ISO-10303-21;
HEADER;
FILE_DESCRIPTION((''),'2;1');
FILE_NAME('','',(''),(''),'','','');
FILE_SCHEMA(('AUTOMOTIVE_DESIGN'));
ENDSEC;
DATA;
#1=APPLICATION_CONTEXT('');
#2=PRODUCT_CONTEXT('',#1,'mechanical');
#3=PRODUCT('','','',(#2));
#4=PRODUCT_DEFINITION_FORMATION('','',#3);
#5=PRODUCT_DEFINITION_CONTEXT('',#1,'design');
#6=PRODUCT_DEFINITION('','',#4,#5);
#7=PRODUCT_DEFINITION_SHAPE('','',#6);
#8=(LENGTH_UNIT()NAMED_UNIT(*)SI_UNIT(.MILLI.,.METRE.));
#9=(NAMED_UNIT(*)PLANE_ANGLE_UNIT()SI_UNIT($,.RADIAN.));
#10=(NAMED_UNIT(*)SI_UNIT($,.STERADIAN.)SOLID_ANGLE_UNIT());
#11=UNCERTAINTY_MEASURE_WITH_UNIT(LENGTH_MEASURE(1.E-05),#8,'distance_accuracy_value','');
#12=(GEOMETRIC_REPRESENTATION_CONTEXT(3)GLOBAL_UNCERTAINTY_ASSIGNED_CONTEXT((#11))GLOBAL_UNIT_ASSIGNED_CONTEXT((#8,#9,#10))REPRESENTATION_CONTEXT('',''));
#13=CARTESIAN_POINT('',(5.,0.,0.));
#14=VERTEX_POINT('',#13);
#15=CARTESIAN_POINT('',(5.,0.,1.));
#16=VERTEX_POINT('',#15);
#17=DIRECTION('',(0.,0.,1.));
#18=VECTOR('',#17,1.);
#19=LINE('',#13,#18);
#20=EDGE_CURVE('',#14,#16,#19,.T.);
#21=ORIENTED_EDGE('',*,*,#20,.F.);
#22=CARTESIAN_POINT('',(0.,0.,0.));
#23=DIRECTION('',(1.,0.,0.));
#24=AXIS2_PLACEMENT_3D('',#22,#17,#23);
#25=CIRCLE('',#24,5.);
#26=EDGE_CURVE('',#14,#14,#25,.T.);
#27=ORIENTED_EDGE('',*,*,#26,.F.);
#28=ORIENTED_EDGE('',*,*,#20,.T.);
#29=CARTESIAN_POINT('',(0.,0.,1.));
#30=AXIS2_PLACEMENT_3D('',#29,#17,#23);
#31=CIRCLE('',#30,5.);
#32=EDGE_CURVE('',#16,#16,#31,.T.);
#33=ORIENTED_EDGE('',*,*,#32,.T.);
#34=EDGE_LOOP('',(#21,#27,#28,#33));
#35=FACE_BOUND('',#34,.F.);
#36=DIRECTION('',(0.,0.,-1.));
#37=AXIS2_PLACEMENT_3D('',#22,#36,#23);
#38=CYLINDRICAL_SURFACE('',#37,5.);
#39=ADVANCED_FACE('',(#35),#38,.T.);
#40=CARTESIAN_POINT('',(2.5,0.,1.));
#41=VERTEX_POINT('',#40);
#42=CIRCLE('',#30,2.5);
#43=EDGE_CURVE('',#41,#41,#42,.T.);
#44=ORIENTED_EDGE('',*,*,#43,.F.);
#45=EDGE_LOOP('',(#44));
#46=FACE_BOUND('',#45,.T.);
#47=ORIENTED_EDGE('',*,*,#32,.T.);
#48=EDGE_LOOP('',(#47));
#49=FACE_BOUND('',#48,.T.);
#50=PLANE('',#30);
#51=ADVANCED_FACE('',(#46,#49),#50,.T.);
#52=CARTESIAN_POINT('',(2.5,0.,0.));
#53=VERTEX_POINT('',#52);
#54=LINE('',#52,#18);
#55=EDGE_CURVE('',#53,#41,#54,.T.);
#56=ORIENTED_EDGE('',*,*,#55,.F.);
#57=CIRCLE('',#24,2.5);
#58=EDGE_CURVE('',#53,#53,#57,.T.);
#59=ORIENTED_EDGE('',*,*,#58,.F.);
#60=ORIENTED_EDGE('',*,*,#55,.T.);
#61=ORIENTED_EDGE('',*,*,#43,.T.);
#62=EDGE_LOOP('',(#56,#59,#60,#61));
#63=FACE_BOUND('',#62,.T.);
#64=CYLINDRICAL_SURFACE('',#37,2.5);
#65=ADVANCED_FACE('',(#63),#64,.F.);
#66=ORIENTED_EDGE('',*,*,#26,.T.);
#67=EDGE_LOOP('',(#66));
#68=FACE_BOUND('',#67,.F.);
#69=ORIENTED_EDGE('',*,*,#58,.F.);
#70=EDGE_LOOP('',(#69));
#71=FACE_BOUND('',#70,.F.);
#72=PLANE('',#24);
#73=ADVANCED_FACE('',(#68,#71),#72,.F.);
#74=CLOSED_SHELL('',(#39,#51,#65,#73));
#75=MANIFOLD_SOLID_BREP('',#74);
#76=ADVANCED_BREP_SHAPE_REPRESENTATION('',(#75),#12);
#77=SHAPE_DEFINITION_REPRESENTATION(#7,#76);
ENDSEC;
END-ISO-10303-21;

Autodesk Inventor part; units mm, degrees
ref_plane "YZ Plane" through (0, 0, 0) normal (1, 0, 0) x (0, 1, 0)
ref_plane "XZ Plane" through (0, 0, 0) normal (0, 1, 0) x (-1, 0, 0)
ref_plane "XY Plane" through (0, 0, 0) normal (0, 0, 1) x (1, 0, 0)
sketch "Sketch1" plane through (0, 0, 0) normal (0, 0, 1) x (1, 0, 0)
  circle A0 centre (0, 0) radius 2.5
  circle A1 centre (0, 0) radius 5
  dimension "d0" = 5
  dimension "d1" = 10
extrude "Extrusion1" add sketch "Sketch1" along normal blind 1
properties part number "MSK01-08" material "Steel, Mild"
